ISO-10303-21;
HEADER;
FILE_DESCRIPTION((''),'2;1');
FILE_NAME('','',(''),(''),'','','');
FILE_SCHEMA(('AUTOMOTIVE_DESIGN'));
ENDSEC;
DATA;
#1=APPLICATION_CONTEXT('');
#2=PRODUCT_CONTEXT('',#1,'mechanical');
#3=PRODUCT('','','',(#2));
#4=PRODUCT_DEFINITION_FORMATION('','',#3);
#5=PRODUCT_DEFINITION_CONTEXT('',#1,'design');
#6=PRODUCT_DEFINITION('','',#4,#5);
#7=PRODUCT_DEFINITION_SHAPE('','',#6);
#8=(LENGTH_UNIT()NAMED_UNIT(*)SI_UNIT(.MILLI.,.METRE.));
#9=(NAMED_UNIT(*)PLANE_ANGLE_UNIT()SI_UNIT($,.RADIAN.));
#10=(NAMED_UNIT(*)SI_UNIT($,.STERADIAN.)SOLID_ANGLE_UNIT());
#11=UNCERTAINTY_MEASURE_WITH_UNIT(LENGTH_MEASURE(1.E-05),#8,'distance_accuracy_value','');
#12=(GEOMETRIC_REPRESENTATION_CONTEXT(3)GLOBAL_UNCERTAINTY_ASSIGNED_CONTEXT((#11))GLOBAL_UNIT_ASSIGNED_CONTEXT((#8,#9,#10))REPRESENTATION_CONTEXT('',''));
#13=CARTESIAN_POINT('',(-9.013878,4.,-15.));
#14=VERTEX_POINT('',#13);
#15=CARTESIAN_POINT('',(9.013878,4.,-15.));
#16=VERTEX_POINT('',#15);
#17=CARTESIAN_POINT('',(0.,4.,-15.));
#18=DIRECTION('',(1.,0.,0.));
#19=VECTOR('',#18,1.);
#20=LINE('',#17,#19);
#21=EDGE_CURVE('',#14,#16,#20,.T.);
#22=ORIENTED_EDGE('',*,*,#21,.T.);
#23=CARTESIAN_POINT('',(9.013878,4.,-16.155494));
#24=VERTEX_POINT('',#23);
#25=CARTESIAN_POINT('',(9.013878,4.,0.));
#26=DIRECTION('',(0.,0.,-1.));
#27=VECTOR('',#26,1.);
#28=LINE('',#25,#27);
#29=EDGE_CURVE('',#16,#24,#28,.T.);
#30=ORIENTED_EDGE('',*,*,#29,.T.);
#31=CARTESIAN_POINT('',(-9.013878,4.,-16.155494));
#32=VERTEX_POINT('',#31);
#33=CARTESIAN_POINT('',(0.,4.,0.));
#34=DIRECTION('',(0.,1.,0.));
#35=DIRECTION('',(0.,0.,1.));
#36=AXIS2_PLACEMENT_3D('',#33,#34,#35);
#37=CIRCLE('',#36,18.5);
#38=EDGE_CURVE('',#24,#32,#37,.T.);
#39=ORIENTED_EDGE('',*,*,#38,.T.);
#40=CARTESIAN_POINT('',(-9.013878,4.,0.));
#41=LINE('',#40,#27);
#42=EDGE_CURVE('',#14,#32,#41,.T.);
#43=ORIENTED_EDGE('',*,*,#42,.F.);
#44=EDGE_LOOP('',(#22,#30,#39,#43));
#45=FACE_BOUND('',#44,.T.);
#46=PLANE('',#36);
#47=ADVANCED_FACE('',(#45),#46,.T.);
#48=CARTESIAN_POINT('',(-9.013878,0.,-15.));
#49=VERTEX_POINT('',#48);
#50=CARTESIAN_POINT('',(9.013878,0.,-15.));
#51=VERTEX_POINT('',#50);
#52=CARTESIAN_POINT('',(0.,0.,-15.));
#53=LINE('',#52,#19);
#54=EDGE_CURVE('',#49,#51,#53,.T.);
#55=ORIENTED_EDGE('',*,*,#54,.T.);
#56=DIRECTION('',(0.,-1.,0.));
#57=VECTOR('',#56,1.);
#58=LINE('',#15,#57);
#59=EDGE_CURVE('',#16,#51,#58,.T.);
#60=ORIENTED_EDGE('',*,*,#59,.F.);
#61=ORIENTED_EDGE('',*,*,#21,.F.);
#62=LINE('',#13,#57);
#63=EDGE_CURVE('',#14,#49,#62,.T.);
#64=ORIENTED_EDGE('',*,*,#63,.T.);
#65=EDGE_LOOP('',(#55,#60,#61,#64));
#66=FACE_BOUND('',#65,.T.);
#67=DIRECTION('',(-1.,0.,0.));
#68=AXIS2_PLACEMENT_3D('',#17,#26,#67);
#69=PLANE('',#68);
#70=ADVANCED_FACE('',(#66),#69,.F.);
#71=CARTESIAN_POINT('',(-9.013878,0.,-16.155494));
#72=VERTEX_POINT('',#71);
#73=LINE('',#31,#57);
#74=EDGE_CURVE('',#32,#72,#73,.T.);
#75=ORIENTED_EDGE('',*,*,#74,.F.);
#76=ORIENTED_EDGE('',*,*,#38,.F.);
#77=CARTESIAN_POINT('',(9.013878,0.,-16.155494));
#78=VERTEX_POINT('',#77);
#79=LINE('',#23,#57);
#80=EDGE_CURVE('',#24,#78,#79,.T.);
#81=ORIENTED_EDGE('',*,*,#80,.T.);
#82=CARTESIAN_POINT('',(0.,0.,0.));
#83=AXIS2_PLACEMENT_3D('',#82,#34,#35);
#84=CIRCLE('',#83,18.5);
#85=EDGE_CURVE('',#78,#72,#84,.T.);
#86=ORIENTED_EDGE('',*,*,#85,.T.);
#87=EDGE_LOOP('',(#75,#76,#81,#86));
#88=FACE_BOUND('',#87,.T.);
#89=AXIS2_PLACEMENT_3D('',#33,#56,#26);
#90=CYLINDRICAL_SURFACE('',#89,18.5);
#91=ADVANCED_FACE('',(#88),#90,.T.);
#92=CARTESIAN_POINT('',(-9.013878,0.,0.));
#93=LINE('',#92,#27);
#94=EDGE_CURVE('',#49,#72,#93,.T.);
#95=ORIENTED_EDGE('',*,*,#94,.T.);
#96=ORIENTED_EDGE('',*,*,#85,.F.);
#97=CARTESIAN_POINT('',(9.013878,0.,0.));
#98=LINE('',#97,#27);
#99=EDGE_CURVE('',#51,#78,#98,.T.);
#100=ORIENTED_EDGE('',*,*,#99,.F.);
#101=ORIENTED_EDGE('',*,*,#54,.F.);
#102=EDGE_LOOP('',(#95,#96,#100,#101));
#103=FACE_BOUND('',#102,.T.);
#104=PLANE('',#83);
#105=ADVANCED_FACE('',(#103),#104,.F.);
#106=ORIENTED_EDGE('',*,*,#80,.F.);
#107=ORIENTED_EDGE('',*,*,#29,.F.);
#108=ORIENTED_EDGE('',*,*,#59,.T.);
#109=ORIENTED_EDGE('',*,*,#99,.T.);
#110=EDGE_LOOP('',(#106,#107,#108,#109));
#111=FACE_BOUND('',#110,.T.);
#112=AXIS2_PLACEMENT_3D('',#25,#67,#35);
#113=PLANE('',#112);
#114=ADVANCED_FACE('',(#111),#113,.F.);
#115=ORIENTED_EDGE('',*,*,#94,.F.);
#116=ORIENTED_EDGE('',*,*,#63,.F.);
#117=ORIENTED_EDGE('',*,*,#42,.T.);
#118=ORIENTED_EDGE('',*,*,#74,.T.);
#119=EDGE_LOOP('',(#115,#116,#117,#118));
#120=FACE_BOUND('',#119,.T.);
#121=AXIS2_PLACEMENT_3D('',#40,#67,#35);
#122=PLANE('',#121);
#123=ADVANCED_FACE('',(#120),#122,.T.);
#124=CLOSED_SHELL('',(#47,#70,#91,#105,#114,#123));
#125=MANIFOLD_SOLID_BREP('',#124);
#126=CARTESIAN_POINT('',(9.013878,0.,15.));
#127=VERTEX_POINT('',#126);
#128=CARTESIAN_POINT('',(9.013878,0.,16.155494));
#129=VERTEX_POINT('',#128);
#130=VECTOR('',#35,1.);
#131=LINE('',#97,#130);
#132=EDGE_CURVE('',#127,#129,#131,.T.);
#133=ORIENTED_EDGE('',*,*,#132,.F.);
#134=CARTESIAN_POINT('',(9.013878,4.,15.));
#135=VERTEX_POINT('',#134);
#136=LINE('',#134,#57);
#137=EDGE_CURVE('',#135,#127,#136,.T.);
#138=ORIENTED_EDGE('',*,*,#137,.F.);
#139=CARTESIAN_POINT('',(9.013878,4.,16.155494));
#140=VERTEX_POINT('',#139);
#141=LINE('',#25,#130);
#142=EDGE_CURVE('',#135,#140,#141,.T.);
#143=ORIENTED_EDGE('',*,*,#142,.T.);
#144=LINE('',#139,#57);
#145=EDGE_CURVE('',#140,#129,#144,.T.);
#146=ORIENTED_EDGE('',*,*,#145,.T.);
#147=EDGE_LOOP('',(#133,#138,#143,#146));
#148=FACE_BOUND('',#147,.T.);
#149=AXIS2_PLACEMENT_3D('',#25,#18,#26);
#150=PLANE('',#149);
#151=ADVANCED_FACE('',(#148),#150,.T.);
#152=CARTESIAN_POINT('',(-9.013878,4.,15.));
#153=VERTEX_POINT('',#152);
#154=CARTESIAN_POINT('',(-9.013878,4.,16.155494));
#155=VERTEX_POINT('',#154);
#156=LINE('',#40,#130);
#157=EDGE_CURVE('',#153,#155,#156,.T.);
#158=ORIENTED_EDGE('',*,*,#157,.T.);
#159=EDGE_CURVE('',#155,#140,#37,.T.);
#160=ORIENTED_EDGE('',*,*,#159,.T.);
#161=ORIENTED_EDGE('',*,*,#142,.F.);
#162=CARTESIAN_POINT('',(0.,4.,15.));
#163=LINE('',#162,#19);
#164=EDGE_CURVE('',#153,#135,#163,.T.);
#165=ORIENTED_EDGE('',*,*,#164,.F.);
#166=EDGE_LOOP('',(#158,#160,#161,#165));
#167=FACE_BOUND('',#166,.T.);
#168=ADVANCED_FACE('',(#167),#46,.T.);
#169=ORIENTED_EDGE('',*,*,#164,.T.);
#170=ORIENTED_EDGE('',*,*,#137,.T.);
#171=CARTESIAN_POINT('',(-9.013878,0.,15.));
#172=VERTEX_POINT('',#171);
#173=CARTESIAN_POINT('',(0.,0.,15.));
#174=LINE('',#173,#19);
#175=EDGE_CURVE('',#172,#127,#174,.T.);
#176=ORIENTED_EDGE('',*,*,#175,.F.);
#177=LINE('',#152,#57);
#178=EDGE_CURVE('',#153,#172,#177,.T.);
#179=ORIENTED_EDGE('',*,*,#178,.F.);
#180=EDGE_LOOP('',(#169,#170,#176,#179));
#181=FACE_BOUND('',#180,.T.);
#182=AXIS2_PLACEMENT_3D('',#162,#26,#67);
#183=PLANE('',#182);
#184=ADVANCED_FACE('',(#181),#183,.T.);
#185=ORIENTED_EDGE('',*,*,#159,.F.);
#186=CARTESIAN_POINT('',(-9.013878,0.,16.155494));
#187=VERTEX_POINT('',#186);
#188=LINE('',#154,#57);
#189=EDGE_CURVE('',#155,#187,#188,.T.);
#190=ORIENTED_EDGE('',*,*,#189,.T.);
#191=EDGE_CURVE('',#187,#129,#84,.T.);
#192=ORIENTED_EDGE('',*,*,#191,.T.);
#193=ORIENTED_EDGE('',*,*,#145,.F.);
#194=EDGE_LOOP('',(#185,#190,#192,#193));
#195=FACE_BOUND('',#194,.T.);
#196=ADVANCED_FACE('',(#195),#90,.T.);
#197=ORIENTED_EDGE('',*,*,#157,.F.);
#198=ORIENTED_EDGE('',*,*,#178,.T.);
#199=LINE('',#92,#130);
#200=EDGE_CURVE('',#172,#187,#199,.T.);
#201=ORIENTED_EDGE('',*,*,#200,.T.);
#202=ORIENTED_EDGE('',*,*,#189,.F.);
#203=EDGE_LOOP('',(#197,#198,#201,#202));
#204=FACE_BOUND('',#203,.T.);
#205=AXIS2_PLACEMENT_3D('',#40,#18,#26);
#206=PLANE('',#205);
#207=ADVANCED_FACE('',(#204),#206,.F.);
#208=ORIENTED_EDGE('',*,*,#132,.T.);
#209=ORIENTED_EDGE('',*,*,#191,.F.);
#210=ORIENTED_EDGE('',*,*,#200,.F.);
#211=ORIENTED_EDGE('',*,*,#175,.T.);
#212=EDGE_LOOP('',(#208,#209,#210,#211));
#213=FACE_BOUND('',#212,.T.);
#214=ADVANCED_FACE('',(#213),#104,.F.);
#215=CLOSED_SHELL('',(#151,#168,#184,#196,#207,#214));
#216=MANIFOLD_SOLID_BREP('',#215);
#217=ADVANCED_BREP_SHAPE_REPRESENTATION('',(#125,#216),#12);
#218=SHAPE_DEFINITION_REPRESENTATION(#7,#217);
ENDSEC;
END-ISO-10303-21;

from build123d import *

# Parameters (mm, degrees)
BOSS_EXTRUDE1_DEPTH = 4


with BuildPart() as part:
    # Sketch1 → Boss-Extrude1 (new body)
    with BuildSketch(Plane(origin=(0, 0, 0), x_dir=(1, 0, 0), z_dir=(0, 1, 0))):
        with BuildLine():
            ThreePointArc((9.013878189, 15), (0, 17.5), (-9.013878189, 15))
            Line((-9.013878189, 15), (9.013878189, 15))
        make_face()
        with BuildLine():
            Line((-9.013878189, 16.155494421), (-9.013878189, 15))
            ThreePointArc((-9.013878189, 15), (0, 17.5), (9.013878189, 15))
            Line((9.013878189, 15), (9.013878189, 16.155494421))
            ThreePointArc((9.013878189, 16.155494421), (0, 18.5), (-9.013878189, 16.155494421))
        make_face()
        with BuildLine():
            Line((9.013878189, -15), (-9.013878189, -15))
            ThreePointArc((-9.013878189, -15), (0, -17.5), (9.013878189, -15))
        make_face()
        with BuildLine():
            ThreePointArc((9.013878189, -15), (0, -17.5), (-9.013878189, -15))
            Line((-9.013878189, -15), (-9.013878189, -16.155494421))
            ThreePointArc((-9.013878189, -16.155494421), (0, -18.5), (9.013878189, -16.155494421))
            Line((9.013878189, -16.155494421), (9.013878189, -15))
        make_face()
    extrude(amount=BOSS_EXTRUDE1_DEPTH)


solid = part.part
